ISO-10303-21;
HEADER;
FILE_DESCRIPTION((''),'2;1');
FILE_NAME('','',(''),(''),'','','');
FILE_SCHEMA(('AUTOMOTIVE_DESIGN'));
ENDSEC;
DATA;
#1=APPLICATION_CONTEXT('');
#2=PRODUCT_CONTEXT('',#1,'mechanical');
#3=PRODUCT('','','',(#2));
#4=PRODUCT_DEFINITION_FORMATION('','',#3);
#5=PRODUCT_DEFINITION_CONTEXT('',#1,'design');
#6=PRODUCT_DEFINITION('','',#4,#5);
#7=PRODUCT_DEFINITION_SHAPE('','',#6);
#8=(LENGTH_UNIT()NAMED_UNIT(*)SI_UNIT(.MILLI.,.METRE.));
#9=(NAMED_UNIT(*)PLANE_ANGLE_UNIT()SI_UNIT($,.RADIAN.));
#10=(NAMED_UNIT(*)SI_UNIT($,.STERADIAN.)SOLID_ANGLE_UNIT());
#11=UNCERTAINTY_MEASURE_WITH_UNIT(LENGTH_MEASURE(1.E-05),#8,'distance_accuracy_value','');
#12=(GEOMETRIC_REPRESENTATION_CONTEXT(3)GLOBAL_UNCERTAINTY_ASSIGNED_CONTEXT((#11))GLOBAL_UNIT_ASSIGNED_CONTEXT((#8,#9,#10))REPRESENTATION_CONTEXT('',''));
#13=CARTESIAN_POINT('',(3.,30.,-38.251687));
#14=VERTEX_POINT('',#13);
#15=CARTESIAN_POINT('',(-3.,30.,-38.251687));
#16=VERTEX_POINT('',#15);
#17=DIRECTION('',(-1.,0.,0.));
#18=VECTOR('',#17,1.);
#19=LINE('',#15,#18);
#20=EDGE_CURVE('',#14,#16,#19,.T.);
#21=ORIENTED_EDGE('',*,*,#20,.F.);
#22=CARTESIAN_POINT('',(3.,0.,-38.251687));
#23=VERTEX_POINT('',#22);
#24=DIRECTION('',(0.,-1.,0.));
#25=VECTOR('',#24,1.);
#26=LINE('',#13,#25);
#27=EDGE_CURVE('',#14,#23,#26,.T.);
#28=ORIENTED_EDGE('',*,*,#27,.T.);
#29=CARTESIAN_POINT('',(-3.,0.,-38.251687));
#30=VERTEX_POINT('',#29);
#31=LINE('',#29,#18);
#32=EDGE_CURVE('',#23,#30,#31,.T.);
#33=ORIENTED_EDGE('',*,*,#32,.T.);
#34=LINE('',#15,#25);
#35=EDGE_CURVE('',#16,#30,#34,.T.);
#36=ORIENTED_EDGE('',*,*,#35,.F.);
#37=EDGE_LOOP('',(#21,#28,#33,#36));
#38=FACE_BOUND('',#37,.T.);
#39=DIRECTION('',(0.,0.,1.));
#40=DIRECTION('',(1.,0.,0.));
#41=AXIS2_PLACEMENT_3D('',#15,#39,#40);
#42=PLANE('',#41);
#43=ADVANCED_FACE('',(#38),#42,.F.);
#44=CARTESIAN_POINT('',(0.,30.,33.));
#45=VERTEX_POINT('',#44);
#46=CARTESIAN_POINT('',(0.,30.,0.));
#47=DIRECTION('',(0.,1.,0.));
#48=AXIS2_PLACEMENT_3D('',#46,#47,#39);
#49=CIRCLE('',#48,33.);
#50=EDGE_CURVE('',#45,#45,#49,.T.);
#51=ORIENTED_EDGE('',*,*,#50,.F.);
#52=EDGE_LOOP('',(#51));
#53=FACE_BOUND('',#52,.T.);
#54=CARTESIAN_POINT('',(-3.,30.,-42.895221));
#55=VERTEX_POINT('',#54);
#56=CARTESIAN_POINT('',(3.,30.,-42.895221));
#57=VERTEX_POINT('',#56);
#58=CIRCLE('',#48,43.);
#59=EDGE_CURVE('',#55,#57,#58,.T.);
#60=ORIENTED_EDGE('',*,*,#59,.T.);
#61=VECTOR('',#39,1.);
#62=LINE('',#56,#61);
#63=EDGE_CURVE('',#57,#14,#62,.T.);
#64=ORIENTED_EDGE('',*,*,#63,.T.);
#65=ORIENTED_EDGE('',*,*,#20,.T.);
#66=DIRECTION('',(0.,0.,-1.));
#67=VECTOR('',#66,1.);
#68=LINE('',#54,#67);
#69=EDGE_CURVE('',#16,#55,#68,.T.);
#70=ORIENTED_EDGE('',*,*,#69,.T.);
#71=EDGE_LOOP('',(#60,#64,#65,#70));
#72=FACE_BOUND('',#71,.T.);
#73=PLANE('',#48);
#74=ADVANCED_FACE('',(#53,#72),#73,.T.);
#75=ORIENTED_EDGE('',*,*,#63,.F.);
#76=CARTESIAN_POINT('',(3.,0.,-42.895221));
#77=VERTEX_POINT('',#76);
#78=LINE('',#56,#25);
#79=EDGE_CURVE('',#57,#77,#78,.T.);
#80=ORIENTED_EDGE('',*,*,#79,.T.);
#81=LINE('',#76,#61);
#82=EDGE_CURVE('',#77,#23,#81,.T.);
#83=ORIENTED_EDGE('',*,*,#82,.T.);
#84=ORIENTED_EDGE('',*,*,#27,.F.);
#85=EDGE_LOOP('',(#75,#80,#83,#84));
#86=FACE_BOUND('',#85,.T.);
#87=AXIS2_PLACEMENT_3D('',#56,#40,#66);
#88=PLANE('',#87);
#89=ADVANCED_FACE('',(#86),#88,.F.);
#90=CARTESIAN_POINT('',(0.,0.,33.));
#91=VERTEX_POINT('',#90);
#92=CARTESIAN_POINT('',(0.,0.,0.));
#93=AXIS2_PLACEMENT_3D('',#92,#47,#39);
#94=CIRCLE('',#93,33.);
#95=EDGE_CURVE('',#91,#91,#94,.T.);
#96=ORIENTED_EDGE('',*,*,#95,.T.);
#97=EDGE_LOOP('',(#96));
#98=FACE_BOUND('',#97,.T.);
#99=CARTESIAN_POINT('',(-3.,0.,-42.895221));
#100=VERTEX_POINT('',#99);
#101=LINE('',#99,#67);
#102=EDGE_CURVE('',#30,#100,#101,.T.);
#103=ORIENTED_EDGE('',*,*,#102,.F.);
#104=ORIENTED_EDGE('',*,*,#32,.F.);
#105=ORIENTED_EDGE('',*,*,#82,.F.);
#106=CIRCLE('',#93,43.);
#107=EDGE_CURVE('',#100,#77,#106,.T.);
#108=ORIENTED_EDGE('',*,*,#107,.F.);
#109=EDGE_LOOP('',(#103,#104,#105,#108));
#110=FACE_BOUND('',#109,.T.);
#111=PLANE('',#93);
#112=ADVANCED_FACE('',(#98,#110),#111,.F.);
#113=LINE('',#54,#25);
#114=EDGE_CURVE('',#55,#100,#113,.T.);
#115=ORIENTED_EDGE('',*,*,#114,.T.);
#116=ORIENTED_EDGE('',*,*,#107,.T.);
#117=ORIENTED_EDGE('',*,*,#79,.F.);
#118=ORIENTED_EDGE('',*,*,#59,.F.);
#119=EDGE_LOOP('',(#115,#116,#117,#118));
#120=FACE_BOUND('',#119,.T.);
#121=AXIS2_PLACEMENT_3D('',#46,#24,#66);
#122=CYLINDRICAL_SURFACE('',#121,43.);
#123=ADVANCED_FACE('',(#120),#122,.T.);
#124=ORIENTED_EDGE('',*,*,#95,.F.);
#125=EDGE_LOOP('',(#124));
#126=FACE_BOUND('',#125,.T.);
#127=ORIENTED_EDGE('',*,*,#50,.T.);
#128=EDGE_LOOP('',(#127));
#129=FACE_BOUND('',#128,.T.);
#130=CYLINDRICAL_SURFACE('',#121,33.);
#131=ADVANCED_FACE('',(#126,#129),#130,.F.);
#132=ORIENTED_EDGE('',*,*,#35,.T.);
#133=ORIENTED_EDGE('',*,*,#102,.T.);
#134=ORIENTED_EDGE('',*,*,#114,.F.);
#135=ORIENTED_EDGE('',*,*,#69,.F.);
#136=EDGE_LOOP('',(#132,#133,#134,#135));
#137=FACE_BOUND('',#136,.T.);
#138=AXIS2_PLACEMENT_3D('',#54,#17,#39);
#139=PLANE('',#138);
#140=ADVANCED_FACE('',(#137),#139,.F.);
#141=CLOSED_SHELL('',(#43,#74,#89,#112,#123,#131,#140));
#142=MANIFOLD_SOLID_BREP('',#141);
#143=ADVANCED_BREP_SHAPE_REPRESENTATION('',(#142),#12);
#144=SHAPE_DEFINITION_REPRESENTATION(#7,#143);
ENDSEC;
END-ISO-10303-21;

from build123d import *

# Parameters (mm, degrees)
SKETCH1_R           = 33
BOSS_EXTRUDE1_DEPTH = 30


with BuildPart() as part:
    # Sketch1 → Boss-Extrude1 (new body)
    with BuildSketch(Plane(origin=(0, 0, 0), x_dir=(1, 0, 0), z_dir=(0, 1, 0))):
        with BuildLine():
            Line((-3, 42.895221179), (-3, 38.251687421))
            Line((-3, 38.251687421), (3, 38.251687421))
            Line((3, 38.251687421), (3, 42.895221179))
            ThreePointArc((3, 42.895221179), (0, -43), (-3, 42.895221179))
        make_face()
        with Locations(Location((0, 0, 0), (0, 0, 270))):
            Circle(SKETCH1_R, mode=Mode.SUBTRACT)
    extrude(amount=BOSS_EXTRUDE1_DEPTH)


solid = part.part
